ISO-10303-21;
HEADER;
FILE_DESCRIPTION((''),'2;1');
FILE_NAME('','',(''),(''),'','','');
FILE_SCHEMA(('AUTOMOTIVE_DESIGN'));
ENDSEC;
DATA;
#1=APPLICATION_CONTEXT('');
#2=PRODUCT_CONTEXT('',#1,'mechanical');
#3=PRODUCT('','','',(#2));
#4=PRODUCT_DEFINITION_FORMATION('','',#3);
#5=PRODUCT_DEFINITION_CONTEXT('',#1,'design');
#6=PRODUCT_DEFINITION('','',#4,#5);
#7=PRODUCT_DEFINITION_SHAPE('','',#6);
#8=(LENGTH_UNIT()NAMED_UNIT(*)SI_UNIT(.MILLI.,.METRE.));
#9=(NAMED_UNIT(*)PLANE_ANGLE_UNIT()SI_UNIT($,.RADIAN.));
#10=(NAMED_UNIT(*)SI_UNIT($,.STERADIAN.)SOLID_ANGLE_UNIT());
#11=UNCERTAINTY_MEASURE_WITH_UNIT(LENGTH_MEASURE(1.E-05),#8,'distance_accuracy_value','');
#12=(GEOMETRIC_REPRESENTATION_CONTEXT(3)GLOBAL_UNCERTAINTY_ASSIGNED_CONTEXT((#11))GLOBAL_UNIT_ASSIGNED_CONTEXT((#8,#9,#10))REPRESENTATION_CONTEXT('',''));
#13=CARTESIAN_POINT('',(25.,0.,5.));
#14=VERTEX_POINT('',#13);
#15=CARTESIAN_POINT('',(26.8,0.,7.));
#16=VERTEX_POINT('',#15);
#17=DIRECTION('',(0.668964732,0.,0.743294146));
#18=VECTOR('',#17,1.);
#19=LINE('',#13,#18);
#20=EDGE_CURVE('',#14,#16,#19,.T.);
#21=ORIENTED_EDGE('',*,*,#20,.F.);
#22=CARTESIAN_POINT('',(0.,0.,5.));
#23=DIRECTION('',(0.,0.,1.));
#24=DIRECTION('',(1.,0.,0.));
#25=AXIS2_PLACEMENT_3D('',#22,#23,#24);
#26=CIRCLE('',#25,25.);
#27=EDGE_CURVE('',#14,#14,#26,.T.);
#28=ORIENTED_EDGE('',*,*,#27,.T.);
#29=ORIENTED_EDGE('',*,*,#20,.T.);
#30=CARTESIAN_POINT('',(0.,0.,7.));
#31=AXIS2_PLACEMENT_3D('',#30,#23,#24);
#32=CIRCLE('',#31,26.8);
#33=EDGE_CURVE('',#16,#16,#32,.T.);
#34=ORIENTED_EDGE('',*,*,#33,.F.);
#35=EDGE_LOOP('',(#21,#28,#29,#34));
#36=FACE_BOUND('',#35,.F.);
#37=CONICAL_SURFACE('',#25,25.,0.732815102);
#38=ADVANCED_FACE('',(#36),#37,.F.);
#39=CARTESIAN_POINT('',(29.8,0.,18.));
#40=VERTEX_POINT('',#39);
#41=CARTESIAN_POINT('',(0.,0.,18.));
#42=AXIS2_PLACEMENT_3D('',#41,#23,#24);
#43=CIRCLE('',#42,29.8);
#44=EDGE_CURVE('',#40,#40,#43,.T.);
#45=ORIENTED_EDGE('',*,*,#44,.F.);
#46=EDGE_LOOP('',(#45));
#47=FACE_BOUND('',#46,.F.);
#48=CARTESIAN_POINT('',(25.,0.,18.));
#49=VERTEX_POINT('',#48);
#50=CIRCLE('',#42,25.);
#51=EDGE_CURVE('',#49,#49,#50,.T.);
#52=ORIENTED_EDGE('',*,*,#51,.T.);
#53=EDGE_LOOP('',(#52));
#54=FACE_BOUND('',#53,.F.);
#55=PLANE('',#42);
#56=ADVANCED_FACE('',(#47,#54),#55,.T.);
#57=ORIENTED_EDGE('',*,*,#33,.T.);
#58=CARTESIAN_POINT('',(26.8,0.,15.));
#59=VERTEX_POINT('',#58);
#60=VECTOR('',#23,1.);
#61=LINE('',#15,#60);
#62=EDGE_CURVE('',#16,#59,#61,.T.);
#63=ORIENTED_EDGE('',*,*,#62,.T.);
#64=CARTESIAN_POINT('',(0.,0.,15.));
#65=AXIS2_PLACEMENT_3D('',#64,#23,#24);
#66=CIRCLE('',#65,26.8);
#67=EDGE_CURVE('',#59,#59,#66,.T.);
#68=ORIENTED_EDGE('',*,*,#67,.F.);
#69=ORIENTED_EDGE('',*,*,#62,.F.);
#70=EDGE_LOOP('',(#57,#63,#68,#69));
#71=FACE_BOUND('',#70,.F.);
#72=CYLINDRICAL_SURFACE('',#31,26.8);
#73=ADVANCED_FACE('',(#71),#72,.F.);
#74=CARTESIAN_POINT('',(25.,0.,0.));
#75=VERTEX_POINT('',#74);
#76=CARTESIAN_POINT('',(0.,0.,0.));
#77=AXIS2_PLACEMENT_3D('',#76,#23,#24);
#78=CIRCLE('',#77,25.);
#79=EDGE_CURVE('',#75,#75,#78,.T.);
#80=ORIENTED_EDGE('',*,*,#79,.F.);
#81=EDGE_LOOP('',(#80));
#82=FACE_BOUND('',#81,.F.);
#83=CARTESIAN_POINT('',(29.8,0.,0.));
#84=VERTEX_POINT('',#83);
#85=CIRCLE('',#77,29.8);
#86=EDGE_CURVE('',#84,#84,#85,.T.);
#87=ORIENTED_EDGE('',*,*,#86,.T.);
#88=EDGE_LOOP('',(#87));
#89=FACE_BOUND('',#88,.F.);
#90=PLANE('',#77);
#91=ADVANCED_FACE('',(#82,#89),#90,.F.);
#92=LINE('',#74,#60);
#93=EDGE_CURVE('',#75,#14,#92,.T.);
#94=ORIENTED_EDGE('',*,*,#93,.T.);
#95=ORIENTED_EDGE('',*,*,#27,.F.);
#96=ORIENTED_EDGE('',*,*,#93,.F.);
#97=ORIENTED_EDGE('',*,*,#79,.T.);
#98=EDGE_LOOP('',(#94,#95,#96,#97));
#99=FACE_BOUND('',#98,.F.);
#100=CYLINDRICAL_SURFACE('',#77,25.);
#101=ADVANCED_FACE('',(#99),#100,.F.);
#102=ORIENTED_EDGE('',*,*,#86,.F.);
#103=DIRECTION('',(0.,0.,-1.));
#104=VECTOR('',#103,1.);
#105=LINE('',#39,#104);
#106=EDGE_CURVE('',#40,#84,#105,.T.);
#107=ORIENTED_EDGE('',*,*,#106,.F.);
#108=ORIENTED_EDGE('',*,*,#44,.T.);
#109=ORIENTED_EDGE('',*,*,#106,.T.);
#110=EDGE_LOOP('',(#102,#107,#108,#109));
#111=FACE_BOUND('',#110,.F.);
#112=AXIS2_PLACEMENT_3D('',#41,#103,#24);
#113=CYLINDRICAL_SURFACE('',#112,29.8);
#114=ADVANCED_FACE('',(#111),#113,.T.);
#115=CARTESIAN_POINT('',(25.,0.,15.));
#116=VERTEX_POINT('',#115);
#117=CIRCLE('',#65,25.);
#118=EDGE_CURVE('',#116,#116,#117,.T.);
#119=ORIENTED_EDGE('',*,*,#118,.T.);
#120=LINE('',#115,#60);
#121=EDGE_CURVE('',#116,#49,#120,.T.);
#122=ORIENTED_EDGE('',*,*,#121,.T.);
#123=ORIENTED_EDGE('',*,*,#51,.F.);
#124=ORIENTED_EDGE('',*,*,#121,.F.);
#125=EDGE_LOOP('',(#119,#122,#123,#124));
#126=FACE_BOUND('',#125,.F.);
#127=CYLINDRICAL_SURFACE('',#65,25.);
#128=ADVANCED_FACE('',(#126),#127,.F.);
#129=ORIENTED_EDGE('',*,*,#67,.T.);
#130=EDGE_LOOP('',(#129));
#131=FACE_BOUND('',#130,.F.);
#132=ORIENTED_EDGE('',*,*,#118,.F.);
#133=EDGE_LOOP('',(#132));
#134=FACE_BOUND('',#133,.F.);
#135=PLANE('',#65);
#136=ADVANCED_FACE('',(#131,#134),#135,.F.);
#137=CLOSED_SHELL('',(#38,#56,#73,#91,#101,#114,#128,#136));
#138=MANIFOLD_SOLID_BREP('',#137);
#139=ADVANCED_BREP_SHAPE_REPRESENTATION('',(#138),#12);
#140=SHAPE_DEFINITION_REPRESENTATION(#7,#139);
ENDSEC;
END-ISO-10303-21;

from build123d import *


with BuildPart() as part:
    # Sketch → Revolution (revolve)
    with BuildSketch(Plane.XZ):
        Polygon((25, 0), (25, 5), (26.8, 7), (26.8, 15), (25, 15), (25, 18), (29.8, 18), (29.8, 0), align=None)
    revolve(axis=Axis((0, 0, 0), (0, 0, 1)))


solid = part.part
